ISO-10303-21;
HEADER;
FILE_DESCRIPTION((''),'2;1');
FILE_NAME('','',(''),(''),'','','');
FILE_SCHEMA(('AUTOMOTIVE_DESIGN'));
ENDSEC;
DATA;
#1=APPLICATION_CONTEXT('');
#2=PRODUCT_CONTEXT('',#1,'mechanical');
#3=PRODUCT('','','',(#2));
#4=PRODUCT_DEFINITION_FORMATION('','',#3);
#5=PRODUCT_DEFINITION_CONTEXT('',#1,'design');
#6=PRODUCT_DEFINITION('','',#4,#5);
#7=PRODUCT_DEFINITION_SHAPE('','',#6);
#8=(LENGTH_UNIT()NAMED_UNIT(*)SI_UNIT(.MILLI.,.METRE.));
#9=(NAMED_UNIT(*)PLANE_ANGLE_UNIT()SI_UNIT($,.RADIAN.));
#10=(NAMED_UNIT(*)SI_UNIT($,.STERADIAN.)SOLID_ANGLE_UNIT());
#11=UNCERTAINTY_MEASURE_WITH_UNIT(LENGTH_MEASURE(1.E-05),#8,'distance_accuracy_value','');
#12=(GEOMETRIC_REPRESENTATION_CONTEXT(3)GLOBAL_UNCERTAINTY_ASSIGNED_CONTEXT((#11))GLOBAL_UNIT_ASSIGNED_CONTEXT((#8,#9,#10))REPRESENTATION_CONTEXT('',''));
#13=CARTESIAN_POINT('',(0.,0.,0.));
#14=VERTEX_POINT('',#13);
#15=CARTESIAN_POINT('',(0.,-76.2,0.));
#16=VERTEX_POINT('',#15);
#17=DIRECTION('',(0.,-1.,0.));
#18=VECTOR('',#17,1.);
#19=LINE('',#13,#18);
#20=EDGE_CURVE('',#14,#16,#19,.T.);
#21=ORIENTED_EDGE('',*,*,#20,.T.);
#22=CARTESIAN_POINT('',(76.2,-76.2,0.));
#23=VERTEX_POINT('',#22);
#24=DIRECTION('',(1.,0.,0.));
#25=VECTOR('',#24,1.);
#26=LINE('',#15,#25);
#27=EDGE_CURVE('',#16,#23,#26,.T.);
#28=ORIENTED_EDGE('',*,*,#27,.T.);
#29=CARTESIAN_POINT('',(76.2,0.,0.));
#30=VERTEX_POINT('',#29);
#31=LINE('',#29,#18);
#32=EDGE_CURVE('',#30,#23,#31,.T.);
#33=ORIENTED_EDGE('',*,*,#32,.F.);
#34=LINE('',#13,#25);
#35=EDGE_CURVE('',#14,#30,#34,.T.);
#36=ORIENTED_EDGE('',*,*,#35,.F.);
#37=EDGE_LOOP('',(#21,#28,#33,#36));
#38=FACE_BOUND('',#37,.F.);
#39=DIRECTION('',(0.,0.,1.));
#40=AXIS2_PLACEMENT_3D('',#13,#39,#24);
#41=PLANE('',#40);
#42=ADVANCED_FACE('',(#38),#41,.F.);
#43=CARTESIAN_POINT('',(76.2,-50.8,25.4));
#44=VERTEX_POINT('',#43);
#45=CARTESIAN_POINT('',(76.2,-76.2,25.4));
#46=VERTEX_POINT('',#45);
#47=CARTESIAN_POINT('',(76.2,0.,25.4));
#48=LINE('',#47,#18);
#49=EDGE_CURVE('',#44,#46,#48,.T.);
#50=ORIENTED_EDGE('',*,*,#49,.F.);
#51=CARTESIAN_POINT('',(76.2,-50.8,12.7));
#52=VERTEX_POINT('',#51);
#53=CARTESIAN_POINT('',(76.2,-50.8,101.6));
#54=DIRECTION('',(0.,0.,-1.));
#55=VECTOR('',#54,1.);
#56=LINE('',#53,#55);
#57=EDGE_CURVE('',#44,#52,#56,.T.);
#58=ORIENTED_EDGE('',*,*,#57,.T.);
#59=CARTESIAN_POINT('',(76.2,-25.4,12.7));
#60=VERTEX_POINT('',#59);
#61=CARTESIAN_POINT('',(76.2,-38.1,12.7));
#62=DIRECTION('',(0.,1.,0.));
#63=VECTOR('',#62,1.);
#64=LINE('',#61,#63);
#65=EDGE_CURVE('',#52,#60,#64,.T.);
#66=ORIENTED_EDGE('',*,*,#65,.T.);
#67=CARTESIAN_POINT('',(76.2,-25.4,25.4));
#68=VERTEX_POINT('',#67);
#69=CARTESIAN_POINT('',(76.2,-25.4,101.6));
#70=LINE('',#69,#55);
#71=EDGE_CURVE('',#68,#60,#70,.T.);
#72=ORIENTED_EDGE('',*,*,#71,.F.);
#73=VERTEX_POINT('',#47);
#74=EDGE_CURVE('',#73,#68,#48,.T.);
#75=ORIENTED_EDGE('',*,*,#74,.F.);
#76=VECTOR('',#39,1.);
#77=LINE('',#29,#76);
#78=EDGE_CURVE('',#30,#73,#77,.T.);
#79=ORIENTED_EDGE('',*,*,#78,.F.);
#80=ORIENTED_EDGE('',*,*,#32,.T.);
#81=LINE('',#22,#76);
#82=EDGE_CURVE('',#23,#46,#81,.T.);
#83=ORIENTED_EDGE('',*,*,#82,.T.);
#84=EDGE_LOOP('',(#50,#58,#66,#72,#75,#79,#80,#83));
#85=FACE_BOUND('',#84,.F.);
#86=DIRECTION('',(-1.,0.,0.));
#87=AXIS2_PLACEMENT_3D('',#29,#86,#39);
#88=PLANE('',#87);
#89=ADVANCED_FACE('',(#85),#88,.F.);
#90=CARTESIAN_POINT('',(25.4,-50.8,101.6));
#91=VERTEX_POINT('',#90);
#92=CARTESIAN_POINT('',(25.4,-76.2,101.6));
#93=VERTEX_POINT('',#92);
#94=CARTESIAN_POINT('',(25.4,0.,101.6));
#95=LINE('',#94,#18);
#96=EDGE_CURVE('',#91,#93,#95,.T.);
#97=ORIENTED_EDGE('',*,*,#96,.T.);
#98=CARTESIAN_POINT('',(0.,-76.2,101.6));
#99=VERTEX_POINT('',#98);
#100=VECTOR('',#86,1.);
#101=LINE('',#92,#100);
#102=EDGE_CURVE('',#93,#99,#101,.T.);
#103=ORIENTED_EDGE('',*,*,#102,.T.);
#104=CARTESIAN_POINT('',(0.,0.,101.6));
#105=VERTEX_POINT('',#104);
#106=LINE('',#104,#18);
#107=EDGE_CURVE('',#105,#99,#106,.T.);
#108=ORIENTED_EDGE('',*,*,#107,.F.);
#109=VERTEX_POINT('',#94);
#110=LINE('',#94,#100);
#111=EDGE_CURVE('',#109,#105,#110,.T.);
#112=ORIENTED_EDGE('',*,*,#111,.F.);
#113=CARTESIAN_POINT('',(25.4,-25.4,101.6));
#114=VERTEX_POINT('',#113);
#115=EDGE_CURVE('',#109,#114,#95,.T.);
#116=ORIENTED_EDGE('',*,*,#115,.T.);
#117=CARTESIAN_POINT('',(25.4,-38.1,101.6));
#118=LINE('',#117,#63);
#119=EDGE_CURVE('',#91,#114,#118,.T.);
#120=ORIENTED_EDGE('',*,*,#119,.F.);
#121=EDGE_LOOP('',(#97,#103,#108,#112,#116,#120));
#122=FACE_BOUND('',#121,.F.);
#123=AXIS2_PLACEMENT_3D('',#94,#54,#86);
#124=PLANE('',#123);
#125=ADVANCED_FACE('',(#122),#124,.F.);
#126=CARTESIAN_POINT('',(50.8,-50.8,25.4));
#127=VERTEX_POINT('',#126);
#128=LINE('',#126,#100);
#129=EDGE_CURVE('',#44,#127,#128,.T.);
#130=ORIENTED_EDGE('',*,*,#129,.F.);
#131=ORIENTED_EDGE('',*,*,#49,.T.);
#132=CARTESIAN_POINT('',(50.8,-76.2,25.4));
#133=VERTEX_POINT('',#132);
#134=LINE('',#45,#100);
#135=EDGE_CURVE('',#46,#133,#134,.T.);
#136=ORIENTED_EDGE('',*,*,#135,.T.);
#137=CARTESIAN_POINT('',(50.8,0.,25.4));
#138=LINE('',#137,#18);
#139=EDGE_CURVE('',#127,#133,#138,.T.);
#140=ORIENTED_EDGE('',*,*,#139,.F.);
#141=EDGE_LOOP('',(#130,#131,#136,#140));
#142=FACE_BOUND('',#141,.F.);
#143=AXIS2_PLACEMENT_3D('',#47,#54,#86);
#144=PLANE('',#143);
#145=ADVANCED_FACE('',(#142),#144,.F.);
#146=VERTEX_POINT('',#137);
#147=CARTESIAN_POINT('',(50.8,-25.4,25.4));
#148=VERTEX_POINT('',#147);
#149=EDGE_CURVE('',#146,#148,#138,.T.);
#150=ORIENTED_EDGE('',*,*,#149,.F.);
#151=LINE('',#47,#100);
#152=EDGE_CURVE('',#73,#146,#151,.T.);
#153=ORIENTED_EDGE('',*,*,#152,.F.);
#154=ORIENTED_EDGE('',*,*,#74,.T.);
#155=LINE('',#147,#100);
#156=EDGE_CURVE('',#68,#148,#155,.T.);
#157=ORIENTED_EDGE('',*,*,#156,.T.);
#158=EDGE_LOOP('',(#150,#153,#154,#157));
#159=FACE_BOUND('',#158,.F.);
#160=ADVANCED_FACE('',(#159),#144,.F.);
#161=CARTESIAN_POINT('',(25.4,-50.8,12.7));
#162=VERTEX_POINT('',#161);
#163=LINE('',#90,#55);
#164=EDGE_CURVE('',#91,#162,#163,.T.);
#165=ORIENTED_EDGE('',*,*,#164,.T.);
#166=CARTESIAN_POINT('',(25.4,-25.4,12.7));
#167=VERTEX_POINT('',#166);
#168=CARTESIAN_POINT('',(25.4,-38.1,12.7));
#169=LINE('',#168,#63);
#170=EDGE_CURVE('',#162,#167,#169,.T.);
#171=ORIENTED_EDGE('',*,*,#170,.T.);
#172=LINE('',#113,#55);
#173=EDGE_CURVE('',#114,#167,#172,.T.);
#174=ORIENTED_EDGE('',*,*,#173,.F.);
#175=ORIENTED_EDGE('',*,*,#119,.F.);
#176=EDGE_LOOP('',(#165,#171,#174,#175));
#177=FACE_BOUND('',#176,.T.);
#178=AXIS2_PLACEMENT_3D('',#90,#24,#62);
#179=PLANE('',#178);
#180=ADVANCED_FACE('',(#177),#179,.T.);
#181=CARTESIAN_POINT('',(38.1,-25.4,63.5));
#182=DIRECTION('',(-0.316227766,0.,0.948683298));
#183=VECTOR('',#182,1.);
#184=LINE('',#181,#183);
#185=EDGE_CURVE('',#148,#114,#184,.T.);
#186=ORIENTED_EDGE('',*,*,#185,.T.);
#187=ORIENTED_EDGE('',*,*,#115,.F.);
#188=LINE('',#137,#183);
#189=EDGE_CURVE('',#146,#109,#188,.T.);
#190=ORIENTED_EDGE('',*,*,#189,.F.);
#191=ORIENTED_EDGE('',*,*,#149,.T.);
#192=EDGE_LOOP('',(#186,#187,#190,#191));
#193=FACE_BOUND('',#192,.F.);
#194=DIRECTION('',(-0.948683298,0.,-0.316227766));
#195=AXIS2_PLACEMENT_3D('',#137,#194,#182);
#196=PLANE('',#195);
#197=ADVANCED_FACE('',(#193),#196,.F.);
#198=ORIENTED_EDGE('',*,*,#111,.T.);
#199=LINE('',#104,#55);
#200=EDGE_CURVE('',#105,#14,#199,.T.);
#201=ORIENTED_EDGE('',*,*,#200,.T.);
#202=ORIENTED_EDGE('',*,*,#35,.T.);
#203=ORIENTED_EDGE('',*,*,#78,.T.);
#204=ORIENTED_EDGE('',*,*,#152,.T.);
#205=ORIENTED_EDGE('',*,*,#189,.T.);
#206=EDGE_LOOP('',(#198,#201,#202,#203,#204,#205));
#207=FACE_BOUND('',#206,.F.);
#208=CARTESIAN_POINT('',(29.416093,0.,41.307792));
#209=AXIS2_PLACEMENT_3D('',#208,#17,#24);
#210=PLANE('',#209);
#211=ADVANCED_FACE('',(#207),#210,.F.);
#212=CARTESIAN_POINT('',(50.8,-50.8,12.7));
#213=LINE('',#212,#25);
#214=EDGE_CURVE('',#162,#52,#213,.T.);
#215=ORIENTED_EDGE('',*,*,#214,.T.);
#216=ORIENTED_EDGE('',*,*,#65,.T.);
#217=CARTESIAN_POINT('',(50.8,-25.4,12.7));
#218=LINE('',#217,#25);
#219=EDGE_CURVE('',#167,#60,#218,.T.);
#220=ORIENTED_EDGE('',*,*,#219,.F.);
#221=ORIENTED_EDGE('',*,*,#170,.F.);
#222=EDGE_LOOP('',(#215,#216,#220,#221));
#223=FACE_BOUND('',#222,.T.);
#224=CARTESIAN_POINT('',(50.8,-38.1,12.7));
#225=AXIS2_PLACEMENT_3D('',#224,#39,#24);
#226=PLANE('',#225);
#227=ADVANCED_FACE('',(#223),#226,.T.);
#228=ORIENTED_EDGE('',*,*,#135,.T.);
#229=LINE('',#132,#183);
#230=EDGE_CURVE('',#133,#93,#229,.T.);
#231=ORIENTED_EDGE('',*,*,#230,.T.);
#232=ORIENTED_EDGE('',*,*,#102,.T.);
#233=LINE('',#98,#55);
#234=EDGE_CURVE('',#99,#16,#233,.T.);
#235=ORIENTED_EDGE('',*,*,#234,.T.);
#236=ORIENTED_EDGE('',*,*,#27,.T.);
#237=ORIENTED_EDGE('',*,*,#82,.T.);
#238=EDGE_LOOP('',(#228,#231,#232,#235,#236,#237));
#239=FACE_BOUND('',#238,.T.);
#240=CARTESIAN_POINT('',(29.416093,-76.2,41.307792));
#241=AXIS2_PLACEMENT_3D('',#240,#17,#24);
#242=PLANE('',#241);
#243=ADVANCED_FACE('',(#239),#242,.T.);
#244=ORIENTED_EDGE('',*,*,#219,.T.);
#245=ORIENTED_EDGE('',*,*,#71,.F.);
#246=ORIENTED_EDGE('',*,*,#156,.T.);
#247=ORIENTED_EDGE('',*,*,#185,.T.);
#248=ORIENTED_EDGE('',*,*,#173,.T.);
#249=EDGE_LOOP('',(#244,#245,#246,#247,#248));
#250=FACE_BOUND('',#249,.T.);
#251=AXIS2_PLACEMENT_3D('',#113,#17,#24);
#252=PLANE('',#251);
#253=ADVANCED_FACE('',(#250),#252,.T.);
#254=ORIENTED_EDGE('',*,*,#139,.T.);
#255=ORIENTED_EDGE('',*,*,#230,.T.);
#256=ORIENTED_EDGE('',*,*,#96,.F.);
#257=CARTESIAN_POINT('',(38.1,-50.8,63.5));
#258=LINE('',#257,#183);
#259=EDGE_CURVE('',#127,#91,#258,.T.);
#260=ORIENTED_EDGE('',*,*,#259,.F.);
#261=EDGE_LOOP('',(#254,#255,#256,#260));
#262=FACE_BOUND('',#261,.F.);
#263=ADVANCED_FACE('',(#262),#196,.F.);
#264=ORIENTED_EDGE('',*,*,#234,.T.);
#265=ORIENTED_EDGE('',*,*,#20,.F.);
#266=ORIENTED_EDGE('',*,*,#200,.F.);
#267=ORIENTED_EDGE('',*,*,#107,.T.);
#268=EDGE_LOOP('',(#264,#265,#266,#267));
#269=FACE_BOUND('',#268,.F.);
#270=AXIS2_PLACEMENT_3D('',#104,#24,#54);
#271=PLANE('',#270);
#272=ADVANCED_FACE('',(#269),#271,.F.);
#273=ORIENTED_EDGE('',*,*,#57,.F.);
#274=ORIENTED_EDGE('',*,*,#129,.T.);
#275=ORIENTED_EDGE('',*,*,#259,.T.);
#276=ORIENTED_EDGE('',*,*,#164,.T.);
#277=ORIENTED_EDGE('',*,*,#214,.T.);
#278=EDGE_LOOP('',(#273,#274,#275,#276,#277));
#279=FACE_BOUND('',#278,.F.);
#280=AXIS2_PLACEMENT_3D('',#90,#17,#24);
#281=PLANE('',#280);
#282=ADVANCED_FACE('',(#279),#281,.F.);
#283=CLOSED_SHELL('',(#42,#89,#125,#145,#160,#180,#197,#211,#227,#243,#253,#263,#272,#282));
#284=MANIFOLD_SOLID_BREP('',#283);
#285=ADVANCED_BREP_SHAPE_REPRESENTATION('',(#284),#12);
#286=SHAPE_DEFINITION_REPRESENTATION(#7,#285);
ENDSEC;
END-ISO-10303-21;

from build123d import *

# Parameters (mm, degrees)
F1_DEPTH = 76.2
F2_W     = 50.8
F2_H     = 25.4
F3_DEPTH = 88.9


with BuildPart() as f1:
    # F0 (on Front) → F1 (new body)
    with BuildSketch(Plane.XZ):
        Polygon((0, 101.6), (0, 0), (76.2, 0), (76.2, 25.4), (50.8, 25.4), (25.4, 101.6), align=None)
    extrude(amount=F1_DEPTH)

    # F2 (on face) → F3 (cut)
    with BuildSketch(Plane.XY.offset(101.6)):
        with Locations((50.8, -38.1)):
            Rectangle(F2_W, F2_H)
    extrude(amount=-F3_DEPTH, mode=Mode.SUBTRACT)


solid = f1.part
